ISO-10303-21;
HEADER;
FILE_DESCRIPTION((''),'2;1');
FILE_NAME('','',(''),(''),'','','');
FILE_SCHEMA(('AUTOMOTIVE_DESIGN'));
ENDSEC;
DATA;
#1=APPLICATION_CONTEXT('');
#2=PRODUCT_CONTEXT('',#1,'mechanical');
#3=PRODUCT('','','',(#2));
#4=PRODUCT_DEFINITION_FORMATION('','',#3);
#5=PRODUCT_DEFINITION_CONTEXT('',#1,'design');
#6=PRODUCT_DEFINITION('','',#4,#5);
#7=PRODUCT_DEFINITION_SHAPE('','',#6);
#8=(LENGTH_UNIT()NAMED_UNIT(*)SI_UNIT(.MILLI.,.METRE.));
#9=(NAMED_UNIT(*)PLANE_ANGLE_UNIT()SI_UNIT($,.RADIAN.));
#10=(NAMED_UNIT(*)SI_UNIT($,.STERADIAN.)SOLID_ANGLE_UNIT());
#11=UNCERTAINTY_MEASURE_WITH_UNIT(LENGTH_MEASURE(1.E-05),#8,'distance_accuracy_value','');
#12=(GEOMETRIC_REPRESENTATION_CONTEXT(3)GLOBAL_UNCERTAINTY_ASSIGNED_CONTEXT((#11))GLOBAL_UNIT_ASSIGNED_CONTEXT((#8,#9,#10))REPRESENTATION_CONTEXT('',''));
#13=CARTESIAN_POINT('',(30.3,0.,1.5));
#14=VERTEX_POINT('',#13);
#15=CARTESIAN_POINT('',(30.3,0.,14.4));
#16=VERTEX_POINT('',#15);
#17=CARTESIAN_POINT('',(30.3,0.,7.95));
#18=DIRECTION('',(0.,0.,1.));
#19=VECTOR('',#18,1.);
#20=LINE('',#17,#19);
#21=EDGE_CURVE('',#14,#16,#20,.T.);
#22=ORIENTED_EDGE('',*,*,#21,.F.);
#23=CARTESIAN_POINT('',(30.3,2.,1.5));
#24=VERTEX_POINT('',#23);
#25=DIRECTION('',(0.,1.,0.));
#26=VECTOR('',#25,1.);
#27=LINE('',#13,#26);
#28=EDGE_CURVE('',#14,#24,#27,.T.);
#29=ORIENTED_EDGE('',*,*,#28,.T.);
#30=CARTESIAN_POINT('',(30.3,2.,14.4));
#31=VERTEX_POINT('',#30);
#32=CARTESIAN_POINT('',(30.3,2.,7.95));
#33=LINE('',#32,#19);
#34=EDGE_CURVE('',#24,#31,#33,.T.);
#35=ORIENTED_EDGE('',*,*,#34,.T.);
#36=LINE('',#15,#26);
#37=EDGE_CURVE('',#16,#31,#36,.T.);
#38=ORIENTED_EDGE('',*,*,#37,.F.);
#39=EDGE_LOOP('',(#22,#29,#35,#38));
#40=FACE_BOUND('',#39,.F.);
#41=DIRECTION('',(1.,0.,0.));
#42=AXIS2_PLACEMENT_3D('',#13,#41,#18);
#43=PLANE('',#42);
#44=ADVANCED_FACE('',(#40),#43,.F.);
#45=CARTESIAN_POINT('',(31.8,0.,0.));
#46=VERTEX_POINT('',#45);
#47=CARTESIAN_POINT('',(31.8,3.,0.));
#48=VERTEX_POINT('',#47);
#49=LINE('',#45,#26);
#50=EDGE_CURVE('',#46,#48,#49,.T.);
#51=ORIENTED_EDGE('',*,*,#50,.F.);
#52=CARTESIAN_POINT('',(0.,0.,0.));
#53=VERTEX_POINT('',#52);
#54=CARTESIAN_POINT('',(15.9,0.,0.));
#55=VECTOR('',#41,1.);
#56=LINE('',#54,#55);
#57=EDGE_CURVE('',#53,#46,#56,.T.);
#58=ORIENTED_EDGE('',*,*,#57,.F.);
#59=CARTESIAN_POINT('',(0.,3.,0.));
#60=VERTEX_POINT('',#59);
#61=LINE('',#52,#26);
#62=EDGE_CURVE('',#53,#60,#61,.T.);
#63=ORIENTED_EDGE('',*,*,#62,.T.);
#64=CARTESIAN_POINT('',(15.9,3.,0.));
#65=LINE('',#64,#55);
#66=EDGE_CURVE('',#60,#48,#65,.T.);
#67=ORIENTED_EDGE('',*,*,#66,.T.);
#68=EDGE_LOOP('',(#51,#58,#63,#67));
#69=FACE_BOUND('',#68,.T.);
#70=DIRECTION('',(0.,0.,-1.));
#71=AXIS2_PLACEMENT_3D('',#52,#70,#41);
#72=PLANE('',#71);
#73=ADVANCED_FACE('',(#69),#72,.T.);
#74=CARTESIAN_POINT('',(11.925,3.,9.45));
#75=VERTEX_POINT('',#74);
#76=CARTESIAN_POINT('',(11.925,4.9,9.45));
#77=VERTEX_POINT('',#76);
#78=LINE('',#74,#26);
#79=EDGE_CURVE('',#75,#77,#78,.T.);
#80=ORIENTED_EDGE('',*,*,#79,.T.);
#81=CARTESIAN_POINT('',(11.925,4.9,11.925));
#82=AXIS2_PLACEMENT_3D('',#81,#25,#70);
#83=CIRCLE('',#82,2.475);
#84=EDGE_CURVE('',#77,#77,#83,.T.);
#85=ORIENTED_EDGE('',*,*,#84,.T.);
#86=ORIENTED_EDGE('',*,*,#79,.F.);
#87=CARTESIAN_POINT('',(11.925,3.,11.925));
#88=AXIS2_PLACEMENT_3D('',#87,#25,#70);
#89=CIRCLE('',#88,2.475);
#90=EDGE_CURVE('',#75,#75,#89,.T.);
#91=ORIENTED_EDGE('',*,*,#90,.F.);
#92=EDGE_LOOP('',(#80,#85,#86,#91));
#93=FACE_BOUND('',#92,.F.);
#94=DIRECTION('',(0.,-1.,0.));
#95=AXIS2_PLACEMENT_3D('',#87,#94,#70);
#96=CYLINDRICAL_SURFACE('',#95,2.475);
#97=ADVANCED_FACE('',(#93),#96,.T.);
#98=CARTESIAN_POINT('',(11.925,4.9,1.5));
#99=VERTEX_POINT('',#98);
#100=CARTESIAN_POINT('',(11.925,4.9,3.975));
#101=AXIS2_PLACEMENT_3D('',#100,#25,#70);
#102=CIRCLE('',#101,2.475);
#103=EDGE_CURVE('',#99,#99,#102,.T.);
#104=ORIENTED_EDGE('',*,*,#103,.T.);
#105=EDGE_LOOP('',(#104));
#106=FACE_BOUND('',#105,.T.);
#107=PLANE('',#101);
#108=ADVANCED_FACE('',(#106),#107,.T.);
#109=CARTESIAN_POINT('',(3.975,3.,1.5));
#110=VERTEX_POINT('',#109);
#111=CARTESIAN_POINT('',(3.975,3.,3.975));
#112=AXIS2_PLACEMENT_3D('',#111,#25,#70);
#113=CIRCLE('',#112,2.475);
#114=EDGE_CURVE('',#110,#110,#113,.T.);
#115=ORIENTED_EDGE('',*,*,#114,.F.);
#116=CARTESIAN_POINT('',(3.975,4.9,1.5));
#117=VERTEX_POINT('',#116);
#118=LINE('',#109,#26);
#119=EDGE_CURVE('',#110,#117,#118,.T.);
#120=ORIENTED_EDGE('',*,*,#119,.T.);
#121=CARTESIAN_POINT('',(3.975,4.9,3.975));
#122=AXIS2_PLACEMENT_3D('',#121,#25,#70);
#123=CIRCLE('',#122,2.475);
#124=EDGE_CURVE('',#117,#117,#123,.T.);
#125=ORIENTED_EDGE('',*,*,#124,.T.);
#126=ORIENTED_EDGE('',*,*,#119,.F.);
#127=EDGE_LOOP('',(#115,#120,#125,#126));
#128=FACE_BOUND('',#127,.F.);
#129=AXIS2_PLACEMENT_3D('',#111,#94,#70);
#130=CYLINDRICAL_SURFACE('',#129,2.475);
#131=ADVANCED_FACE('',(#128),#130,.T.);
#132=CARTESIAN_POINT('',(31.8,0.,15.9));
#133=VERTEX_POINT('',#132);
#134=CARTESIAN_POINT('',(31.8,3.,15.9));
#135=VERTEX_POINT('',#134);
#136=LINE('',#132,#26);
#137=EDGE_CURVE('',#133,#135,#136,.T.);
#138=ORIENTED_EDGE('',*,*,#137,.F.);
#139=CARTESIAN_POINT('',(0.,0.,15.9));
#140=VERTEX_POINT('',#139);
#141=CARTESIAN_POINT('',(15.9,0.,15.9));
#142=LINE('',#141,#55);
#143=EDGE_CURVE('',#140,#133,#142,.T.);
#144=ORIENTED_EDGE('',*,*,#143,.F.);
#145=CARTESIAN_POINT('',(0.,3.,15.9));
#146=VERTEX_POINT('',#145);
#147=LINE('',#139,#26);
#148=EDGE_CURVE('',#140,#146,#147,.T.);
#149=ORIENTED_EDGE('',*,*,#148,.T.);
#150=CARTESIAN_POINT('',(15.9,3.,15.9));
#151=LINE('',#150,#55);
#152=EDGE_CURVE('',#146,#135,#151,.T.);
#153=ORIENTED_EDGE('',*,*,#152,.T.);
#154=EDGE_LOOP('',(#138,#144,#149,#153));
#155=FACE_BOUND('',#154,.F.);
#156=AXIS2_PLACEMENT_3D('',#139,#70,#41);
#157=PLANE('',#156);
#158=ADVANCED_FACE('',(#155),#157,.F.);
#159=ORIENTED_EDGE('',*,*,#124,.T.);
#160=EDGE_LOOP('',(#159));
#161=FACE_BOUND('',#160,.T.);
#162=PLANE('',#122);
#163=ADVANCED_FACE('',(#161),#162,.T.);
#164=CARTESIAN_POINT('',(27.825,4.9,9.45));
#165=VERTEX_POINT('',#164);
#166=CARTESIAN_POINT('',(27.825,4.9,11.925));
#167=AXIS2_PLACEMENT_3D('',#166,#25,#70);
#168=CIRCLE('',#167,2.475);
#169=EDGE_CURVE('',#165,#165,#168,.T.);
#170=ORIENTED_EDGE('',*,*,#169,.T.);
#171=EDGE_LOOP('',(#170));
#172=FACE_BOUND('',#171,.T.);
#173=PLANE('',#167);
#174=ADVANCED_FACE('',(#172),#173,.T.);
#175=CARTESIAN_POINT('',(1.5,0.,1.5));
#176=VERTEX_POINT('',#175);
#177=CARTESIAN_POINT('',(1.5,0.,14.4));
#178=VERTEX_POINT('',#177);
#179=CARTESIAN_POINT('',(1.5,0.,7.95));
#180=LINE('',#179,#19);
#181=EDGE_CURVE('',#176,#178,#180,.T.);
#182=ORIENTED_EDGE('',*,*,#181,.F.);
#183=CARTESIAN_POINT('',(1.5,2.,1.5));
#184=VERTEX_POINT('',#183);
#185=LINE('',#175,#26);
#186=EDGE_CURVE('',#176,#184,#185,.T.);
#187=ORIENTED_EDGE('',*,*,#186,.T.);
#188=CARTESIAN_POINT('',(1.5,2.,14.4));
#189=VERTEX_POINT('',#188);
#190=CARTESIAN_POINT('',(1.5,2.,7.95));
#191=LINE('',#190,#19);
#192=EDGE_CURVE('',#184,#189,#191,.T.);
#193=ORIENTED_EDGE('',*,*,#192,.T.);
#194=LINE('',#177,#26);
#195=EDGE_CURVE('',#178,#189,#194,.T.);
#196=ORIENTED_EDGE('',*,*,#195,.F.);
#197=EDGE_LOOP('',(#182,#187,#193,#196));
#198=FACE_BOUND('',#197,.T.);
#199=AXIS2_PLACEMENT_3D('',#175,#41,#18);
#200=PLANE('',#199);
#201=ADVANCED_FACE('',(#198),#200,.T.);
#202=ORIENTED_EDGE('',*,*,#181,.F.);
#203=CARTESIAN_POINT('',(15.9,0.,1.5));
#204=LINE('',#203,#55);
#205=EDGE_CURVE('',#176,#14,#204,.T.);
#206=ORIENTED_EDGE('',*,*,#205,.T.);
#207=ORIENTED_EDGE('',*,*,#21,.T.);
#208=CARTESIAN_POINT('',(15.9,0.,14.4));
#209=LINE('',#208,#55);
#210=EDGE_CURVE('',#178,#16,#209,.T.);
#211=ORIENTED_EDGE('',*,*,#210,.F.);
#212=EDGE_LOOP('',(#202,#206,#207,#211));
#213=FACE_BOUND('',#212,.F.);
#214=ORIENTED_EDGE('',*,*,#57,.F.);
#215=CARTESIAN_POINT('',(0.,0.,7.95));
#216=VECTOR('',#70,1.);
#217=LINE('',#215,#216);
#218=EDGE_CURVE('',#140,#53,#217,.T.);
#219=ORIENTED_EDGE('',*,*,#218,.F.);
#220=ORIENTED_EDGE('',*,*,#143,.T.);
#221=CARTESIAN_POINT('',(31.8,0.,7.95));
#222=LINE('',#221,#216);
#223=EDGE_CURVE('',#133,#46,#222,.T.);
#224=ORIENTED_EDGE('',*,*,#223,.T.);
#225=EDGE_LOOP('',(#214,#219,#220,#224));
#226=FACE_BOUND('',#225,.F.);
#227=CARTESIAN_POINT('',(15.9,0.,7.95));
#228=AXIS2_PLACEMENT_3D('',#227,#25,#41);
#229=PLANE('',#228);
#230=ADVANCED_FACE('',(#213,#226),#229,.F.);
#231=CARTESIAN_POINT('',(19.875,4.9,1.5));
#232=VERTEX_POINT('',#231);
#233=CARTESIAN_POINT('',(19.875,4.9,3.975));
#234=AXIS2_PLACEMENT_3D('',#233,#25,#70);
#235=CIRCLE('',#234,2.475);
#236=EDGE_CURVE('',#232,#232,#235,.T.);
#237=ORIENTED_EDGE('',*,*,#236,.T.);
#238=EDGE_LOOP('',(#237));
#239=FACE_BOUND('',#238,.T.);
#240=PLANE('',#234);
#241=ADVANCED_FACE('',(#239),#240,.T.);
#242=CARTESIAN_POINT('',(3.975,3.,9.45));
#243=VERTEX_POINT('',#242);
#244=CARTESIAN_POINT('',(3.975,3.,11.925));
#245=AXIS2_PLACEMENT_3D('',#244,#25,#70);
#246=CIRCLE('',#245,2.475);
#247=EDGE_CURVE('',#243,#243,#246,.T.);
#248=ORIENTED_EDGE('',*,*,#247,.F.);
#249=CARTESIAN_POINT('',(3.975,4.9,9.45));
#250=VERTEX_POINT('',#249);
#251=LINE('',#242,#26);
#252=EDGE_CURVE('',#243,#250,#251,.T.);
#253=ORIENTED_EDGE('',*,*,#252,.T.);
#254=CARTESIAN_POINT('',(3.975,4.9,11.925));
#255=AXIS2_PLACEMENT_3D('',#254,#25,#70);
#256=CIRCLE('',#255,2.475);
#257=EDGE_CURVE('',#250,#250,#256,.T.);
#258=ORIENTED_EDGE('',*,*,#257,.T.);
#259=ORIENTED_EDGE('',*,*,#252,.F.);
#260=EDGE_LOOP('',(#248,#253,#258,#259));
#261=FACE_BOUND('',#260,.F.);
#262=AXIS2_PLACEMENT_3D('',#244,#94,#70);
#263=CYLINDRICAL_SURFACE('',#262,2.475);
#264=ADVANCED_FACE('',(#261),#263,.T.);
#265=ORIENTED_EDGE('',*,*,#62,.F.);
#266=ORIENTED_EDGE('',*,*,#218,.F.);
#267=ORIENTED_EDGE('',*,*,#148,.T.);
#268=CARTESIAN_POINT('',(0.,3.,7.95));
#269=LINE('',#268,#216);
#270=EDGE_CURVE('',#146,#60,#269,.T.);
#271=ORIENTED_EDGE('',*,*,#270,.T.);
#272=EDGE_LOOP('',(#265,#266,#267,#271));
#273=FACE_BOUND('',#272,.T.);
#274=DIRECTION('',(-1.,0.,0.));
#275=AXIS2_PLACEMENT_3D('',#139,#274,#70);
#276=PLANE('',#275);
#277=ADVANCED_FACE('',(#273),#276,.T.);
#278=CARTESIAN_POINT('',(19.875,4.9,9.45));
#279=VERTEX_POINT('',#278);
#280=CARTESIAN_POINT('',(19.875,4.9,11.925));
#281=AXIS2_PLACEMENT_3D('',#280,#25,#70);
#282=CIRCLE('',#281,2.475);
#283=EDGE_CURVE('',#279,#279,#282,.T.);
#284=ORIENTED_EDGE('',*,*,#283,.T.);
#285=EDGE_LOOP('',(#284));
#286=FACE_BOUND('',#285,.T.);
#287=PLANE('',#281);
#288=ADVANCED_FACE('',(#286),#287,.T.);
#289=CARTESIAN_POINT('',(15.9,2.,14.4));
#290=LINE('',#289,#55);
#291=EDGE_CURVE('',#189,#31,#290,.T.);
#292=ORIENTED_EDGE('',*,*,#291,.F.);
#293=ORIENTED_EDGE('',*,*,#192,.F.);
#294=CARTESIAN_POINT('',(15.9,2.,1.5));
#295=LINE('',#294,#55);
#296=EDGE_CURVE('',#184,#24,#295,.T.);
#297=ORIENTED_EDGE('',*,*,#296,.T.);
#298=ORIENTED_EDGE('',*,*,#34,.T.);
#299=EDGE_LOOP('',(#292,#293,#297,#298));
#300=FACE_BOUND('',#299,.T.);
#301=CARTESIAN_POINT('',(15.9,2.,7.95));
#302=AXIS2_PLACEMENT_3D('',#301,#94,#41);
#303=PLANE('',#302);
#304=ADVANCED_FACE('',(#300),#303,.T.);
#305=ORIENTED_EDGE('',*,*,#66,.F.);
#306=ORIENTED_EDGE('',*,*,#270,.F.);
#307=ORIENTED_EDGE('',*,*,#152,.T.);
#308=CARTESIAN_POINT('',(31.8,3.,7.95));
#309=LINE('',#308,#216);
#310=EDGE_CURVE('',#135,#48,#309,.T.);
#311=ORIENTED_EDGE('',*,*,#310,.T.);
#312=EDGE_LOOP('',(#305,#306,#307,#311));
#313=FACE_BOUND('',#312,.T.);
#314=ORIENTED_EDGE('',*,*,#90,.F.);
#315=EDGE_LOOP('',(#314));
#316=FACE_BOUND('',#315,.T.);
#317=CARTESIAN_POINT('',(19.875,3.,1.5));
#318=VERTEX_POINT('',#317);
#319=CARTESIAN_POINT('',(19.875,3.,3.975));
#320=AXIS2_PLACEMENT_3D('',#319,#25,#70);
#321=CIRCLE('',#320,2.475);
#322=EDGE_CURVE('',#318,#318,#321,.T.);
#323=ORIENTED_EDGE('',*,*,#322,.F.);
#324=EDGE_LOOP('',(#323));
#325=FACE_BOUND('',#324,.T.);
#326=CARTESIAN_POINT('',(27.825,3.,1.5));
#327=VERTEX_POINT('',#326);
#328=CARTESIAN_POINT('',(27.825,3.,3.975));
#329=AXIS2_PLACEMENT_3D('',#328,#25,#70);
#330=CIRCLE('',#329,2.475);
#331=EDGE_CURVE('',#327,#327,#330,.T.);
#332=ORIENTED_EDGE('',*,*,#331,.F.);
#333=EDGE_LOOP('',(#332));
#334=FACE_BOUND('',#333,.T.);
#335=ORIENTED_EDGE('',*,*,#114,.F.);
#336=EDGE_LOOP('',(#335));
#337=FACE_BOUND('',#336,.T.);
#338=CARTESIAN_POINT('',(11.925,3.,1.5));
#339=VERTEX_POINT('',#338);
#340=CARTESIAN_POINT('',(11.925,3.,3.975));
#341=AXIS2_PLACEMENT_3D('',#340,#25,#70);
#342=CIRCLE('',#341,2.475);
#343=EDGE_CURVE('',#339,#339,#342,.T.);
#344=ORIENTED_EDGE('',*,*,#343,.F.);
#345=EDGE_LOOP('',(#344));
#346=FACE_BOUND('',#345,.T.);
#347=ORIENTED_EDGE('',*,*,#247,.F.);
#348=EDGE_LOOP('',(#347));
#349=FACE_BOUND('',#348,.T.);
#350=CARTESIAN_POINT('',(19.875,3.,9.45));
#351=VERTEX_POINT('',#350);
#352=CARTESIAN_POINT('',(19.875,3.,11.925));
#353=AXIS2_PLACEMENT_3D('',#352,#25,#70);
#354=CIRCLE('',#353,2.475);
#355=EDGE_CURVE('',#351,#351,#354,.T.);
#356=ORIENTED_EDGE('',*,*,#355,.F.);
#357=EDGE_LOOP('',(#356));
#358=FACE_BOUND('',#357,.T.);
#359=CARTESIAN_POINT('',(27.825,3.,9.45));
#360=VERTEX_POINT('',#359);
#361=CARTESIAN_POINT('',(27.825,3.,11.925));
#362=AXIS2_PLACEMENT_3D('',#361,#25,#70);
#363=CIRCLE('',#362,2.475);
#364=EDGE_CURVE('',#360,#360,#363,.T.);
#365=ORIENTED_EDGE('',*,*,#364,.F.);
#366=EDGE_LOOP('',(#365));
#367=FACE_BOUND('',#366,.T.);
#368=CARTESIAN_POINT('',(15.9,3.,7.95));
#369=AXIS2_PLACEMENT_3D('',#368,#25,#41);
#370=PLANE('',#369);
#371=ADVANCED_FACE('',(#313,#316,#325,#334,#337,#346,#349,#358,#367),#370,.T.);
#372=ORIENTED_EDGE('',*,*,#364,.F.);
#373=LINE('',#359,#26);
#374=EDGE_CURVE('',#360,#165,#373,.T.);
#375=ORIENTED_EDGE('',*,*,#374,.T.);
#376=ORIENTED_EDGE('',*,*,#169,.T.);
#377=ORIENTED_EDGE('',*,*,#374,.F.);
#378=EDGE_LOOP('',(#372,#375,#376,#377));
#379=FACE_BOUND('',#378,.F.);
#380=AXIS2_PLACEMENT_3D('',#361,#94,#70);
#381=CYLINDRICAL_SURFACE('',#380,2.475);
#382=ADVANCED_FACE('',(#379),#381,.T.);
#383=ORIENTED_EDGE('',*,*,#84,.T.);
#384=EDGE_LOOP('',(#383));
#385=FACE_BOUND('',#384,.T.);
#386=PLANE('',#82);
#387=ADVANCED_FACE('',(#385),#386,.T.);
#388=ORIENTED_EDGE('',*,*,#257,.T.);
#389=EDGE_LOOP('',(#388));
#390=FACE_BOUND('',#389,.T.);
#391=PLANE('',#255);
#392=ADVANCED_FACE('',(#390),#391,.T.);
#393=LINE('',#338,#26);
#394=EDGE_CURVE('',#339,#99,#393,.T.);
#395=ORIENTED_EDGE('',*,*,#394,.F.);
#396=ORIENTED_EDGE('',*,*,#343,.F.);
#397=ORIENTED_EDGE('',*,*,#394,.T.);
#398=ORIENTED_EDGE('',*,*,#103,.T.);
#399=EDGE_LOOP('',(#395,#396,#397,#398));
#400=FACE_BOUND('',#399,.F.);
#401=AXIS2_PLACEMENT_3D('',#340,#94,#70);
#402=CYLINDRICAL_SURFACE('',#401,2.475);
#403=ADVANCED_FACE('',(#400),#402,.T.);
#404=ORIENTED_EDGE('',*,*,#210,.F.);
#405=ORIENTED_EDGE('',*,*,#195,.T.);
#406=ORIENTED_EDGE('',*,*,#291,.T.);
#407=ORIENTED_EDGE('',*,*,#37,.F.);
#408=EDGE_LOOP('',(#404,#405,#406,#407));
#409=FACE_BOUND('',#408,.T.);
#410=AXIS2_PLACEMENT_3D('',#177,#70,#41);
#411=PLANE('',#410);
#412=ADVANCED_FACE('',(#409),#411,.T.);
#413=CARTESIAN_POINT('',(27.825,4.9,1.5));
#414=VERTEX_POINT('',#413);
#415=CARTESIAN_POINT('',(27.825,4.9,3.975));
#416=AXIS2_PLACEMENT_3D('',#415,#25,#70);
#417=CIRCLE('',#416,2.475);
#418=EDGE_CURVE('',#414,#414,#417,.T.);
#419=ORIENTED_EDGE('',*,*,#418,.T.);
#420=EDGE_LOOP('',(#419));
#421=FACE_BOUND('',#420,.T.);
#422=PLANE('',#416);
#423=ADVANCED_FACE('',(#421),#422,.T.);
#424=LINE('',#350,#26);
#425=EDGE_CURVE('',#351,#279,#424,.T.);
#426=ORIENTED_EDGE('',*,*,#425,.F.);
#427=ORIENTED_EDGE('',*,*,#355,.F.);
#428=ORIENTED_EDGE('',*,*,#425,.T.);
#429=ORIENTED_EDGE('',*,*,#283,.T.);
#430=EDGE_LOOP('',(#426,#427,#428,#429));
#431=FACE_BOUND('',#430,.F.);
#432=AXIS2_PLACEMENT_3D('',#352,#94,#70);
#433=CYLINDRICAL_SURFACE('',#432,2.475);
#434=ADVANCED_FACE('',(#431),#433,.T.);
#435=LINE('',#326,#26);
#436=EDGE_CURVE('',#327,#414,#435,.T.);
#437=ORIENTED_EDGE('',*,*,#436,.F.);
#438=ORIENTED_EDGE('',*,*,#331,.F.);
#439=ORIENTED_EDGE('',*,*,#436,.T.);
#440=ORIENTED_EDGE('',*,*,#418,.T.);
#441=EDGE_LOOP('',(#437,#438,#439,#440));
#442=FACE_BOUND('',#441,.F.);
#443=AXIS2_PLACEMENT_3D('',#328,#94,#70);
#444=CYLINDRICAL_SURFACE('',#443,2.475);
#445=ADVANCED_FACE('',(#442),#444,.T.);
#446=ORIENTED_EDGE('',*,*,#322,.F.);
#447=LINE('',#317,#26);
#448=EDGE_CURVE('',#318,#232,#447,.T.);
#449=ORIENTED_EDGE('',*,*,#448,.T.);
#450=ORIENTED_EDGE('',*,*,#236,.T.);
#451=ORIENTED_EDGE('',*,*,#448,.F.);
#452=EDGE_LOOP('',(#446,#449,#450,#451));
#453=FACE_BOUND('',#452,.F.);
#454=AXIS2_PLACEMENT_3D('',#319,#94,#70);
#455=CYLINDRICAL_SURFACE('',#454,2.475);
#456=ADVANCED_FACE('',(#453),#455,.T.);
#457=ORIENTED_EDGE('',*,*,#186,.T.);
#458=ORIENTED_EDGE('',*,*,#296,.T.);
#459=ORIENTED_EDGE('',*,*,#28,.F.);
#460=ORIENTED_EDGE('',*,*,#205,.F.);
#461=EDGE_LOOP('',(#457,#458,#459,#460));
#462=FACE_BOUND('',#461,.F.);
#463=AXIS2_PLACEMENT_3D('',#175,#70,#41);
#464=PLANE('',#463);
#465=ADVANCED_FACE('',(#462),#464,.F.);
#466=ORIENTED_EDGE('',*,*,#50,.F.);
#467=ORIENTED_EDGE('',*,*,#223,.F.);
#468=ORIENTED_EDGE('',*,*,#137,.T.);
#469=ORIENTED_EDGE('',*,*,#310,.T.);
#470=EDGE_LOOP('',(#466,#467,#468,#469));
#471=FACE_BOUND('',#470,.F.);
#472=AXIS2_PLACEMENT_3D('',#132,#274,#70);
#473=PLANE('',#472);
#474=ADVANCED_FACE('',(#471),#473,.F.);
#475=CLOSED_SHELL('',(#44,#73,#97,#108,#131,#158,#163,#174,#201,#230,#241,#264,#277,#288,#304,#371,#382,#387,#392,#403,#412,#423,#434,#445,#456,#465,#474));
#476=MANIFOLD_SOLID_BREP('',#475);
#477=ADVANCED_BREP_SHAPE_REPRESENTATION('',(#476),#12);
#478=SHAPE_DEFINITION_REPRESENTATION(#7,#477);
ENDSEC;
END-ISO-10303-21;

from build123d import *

# Parameters (mm, degrees)
SKETCH1_W           = 31.8
SKETCH1_H           = 15.9
BOSS_EXTRUDE1_DEPTH = 3
SKETCH2_R           = 2.475
BOSS_EXTRUDE2_DEPTH = 1.9
SKETCH3_W           = 28.8
SKETCH3_H           = 12.9
CUT_EXTRUDE1_DEPTH  = 2


with BuildPart() as part:
    # Sketch1 → Boss-Extrude1 (new body)
    with BuildSketch(Plane(origin=(0, 0, 0), x_dir=(1, 0, 0), z_dir=(0, 1, 0))):
        with Locations((15.9, -7.95)):
            Rectangle(SKETCH1_W, SKETCH1_H)
    extrude(amount=BOSS_EXTRUDE1_DEPTH)

    # Sketch2 → Boss-Extrude2 (add)
    with BuildSketch(Plane(origin=(0, 3, 0), x_dir=(1, 0, 0), z_dir=(0, 1, 0))):
        with Locations(Location((3.975, -3.975, 0), (0, 0, 90))):
            Circle(SKETCH2_R)
        with Locations(Location((11.925, -3.975, 0), (0, 0, 90))):
            Circle(SKETCH2_R)
        with Locations(Location((19.875, -3.975, 0), (0, 0, 90))):
            Circle(SKETCH2_R)
        with Locations(Location((27.825, -3.975, 0), (0, 0, 90))):
            Circle(SKETCH2_R)
        with Locations(Location((27.825, -11.925, 0), (0, 0, 90))):
            Circle(SKETCH2_R)
        with Locations(Location((19.875, -11.925, 0), (0, 0, 90))):
            Circle(SKETCH2_R)
        with Locations(Location((11.925, -11.925, 0), (0, 0, 90))):
            Circle(SKETCH2_R)
        with Locations(Location((3.975, -11.925, 0), (0, 0, 90))):
            Circle(SKETCH2_R)
    extrude(amount=BOSS_EXTRUDE2_DEPTH)

    # Sketch3 → Cut-Extrude1 (cut)
    with BuildSketch(Plane.XZ):
        with Locations((15.9, 7.95)):
            Rectangle(SKETCH3_W, SKETCH3_H)
    extrude(amount=-CUT_EXTRUDE1_DEPTH, mode=Mode.SUBTRACT)


solid = part.part
